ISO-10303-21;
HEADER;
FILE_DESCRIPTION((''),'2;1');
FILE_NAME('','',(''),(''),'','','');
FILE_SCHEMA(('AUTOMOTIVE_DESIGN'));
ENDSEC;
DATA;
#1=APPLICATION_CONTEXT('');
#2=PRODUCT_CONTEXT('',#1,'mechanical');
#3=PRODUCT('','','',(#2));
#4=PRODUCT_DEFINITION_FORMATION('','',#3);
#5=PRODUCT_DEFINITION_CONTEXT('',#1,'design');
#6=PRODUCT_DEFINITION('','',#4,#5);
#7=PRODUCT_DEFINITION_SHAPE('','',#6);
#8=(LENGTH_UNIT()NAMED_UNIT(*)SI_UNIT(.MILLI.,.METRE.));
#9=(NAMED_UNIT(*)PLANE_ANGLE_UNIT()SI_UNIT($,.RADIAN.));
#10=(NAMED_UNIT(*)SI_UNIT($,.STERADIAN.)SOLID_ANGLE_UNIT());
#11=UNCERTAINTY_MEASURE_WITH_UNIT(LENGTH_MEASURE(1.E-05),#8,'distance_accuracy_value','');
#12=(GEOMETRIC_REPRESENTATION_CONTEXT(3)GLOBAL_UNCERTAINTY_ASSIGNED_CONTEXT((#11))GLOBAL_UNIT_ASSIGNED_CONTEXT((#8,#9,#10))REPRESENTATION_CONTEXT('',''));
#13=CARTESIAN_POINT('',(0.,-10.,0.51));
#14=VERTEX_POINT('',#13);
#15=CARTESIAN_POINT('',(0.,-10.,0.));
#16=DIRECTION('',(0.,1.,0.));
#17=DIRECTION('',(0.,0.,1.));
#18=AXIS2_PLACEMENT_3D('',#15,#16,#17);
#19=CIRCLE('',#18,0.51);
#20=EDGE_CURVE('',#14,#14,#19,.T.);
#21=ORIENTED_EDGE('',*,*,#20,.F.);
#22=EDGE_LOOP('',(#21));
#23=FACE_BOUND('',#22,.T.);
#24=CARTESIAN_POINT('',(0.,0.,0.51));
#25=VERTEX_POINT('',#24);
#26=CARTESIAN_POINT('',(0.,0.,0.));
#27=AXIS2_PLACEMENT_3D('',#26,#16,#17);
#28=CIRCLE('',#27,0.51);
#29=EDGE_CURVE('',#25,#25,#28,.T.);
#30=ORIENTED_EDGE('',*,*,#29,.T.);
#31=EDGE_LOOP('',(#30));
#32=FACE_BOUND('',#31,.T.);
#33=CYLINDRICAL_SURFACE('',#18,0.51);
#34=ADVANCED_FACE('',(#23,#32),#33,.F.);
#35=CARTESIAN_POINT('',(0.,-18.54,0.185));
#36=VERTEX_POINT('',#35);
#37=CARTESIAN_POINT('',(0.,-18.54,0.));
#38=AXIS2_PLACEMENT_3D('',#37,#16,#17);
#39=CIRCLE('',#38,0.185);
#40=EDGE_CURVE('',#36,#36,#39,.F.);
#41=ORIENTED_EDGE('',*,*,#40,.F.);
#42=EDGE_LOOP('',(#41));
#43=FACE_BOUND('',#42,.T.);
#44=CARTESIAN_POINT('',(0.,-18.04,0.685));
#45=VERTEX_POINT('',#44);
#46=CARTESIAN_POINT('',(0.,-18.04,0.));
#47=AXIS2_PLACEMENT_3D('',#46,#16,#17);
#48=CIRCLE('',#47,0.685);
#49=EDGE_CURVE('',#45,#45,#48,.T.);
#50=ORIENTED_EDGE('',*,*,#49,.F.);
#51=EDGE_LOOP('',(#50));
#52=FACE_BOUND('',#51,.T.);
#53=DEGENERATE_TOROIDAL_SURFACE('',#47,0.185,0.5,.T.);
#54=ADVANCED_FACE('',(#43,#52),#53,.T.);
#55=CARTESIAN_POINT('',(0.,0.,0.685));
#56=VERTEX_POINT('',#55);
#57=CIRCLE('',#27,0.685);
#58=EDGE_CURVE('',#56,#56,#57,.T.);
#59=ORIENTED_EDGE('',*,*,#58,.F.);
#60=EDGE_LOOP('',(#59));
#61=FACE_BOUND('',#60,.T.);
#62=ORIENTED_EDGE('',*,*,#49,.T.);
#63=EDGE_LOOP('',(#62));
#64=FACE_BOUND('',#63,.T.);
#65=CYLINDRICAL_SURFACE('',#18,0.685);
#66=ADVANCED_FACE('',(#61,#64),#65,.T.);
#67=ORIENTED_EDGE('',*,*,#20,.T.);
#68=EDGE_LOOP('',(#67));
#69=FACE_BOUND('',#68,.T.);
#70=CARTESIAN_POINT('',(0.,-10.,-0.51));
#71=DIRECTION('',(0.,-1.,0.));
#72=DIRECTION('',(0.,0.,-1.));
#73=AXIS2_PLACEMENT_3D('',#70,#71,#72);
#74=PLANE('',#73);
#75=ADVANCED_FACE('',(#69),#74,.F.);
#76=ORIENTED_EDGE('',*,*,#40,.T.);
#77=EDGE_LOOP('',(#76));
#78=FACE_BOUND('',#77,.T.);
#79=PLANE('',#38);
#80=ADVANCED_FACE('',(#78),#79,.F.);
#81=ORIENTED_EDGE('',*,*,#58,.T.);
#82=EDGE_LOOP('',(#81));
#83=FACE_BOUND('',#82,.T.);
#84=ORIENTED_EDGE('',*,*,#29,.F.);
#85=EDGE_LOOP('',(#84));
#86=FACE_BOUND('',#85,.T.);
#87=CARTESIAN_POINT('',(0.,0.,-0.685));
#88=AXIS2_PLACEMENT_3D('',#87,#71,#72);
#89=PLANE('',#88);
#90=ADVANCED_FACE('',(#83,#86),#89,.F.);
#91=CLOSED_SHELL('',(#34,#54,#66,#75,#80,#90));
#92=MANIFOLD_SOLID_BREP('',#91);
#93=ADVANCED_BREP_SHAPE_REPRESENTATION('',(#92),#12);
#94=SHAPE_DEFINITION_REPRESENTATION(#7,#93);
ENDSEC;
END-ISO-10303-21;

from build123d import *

# Parameters (mm, degrees)
FILLET1_R = 0.5


with BuildPart() as part:
    # Sketch1 → Revolve1 (revolve)
    with BuildSketch(Plane(origin=(0, 0, 0), x_dir=(0, 0, -1), z_dir=(1, 0, 0)), mode=Mode.PRIVATE) as revolve1_sk:
        Polygon((0.51, 0), (0.51, -10), (0, -10), (0, -18.54), (0.685, -18.54), (0.685, 0), align=None)
    revolve(revolve1_sk.sketch.rotate(Axis((0, -10, 0), (0, -1, 0)), 180), axis=Axis((0, -10, 0), (0, -1, 0)))

    # Fillet1
    fillet1_edges = [part.edges().sort_by_distance(p)[0] for p in [
        (0, -18.54, -0.685),
    ]]
    fillet(fillet1_edges, radius=FILLET1_R)


solid = part.part
